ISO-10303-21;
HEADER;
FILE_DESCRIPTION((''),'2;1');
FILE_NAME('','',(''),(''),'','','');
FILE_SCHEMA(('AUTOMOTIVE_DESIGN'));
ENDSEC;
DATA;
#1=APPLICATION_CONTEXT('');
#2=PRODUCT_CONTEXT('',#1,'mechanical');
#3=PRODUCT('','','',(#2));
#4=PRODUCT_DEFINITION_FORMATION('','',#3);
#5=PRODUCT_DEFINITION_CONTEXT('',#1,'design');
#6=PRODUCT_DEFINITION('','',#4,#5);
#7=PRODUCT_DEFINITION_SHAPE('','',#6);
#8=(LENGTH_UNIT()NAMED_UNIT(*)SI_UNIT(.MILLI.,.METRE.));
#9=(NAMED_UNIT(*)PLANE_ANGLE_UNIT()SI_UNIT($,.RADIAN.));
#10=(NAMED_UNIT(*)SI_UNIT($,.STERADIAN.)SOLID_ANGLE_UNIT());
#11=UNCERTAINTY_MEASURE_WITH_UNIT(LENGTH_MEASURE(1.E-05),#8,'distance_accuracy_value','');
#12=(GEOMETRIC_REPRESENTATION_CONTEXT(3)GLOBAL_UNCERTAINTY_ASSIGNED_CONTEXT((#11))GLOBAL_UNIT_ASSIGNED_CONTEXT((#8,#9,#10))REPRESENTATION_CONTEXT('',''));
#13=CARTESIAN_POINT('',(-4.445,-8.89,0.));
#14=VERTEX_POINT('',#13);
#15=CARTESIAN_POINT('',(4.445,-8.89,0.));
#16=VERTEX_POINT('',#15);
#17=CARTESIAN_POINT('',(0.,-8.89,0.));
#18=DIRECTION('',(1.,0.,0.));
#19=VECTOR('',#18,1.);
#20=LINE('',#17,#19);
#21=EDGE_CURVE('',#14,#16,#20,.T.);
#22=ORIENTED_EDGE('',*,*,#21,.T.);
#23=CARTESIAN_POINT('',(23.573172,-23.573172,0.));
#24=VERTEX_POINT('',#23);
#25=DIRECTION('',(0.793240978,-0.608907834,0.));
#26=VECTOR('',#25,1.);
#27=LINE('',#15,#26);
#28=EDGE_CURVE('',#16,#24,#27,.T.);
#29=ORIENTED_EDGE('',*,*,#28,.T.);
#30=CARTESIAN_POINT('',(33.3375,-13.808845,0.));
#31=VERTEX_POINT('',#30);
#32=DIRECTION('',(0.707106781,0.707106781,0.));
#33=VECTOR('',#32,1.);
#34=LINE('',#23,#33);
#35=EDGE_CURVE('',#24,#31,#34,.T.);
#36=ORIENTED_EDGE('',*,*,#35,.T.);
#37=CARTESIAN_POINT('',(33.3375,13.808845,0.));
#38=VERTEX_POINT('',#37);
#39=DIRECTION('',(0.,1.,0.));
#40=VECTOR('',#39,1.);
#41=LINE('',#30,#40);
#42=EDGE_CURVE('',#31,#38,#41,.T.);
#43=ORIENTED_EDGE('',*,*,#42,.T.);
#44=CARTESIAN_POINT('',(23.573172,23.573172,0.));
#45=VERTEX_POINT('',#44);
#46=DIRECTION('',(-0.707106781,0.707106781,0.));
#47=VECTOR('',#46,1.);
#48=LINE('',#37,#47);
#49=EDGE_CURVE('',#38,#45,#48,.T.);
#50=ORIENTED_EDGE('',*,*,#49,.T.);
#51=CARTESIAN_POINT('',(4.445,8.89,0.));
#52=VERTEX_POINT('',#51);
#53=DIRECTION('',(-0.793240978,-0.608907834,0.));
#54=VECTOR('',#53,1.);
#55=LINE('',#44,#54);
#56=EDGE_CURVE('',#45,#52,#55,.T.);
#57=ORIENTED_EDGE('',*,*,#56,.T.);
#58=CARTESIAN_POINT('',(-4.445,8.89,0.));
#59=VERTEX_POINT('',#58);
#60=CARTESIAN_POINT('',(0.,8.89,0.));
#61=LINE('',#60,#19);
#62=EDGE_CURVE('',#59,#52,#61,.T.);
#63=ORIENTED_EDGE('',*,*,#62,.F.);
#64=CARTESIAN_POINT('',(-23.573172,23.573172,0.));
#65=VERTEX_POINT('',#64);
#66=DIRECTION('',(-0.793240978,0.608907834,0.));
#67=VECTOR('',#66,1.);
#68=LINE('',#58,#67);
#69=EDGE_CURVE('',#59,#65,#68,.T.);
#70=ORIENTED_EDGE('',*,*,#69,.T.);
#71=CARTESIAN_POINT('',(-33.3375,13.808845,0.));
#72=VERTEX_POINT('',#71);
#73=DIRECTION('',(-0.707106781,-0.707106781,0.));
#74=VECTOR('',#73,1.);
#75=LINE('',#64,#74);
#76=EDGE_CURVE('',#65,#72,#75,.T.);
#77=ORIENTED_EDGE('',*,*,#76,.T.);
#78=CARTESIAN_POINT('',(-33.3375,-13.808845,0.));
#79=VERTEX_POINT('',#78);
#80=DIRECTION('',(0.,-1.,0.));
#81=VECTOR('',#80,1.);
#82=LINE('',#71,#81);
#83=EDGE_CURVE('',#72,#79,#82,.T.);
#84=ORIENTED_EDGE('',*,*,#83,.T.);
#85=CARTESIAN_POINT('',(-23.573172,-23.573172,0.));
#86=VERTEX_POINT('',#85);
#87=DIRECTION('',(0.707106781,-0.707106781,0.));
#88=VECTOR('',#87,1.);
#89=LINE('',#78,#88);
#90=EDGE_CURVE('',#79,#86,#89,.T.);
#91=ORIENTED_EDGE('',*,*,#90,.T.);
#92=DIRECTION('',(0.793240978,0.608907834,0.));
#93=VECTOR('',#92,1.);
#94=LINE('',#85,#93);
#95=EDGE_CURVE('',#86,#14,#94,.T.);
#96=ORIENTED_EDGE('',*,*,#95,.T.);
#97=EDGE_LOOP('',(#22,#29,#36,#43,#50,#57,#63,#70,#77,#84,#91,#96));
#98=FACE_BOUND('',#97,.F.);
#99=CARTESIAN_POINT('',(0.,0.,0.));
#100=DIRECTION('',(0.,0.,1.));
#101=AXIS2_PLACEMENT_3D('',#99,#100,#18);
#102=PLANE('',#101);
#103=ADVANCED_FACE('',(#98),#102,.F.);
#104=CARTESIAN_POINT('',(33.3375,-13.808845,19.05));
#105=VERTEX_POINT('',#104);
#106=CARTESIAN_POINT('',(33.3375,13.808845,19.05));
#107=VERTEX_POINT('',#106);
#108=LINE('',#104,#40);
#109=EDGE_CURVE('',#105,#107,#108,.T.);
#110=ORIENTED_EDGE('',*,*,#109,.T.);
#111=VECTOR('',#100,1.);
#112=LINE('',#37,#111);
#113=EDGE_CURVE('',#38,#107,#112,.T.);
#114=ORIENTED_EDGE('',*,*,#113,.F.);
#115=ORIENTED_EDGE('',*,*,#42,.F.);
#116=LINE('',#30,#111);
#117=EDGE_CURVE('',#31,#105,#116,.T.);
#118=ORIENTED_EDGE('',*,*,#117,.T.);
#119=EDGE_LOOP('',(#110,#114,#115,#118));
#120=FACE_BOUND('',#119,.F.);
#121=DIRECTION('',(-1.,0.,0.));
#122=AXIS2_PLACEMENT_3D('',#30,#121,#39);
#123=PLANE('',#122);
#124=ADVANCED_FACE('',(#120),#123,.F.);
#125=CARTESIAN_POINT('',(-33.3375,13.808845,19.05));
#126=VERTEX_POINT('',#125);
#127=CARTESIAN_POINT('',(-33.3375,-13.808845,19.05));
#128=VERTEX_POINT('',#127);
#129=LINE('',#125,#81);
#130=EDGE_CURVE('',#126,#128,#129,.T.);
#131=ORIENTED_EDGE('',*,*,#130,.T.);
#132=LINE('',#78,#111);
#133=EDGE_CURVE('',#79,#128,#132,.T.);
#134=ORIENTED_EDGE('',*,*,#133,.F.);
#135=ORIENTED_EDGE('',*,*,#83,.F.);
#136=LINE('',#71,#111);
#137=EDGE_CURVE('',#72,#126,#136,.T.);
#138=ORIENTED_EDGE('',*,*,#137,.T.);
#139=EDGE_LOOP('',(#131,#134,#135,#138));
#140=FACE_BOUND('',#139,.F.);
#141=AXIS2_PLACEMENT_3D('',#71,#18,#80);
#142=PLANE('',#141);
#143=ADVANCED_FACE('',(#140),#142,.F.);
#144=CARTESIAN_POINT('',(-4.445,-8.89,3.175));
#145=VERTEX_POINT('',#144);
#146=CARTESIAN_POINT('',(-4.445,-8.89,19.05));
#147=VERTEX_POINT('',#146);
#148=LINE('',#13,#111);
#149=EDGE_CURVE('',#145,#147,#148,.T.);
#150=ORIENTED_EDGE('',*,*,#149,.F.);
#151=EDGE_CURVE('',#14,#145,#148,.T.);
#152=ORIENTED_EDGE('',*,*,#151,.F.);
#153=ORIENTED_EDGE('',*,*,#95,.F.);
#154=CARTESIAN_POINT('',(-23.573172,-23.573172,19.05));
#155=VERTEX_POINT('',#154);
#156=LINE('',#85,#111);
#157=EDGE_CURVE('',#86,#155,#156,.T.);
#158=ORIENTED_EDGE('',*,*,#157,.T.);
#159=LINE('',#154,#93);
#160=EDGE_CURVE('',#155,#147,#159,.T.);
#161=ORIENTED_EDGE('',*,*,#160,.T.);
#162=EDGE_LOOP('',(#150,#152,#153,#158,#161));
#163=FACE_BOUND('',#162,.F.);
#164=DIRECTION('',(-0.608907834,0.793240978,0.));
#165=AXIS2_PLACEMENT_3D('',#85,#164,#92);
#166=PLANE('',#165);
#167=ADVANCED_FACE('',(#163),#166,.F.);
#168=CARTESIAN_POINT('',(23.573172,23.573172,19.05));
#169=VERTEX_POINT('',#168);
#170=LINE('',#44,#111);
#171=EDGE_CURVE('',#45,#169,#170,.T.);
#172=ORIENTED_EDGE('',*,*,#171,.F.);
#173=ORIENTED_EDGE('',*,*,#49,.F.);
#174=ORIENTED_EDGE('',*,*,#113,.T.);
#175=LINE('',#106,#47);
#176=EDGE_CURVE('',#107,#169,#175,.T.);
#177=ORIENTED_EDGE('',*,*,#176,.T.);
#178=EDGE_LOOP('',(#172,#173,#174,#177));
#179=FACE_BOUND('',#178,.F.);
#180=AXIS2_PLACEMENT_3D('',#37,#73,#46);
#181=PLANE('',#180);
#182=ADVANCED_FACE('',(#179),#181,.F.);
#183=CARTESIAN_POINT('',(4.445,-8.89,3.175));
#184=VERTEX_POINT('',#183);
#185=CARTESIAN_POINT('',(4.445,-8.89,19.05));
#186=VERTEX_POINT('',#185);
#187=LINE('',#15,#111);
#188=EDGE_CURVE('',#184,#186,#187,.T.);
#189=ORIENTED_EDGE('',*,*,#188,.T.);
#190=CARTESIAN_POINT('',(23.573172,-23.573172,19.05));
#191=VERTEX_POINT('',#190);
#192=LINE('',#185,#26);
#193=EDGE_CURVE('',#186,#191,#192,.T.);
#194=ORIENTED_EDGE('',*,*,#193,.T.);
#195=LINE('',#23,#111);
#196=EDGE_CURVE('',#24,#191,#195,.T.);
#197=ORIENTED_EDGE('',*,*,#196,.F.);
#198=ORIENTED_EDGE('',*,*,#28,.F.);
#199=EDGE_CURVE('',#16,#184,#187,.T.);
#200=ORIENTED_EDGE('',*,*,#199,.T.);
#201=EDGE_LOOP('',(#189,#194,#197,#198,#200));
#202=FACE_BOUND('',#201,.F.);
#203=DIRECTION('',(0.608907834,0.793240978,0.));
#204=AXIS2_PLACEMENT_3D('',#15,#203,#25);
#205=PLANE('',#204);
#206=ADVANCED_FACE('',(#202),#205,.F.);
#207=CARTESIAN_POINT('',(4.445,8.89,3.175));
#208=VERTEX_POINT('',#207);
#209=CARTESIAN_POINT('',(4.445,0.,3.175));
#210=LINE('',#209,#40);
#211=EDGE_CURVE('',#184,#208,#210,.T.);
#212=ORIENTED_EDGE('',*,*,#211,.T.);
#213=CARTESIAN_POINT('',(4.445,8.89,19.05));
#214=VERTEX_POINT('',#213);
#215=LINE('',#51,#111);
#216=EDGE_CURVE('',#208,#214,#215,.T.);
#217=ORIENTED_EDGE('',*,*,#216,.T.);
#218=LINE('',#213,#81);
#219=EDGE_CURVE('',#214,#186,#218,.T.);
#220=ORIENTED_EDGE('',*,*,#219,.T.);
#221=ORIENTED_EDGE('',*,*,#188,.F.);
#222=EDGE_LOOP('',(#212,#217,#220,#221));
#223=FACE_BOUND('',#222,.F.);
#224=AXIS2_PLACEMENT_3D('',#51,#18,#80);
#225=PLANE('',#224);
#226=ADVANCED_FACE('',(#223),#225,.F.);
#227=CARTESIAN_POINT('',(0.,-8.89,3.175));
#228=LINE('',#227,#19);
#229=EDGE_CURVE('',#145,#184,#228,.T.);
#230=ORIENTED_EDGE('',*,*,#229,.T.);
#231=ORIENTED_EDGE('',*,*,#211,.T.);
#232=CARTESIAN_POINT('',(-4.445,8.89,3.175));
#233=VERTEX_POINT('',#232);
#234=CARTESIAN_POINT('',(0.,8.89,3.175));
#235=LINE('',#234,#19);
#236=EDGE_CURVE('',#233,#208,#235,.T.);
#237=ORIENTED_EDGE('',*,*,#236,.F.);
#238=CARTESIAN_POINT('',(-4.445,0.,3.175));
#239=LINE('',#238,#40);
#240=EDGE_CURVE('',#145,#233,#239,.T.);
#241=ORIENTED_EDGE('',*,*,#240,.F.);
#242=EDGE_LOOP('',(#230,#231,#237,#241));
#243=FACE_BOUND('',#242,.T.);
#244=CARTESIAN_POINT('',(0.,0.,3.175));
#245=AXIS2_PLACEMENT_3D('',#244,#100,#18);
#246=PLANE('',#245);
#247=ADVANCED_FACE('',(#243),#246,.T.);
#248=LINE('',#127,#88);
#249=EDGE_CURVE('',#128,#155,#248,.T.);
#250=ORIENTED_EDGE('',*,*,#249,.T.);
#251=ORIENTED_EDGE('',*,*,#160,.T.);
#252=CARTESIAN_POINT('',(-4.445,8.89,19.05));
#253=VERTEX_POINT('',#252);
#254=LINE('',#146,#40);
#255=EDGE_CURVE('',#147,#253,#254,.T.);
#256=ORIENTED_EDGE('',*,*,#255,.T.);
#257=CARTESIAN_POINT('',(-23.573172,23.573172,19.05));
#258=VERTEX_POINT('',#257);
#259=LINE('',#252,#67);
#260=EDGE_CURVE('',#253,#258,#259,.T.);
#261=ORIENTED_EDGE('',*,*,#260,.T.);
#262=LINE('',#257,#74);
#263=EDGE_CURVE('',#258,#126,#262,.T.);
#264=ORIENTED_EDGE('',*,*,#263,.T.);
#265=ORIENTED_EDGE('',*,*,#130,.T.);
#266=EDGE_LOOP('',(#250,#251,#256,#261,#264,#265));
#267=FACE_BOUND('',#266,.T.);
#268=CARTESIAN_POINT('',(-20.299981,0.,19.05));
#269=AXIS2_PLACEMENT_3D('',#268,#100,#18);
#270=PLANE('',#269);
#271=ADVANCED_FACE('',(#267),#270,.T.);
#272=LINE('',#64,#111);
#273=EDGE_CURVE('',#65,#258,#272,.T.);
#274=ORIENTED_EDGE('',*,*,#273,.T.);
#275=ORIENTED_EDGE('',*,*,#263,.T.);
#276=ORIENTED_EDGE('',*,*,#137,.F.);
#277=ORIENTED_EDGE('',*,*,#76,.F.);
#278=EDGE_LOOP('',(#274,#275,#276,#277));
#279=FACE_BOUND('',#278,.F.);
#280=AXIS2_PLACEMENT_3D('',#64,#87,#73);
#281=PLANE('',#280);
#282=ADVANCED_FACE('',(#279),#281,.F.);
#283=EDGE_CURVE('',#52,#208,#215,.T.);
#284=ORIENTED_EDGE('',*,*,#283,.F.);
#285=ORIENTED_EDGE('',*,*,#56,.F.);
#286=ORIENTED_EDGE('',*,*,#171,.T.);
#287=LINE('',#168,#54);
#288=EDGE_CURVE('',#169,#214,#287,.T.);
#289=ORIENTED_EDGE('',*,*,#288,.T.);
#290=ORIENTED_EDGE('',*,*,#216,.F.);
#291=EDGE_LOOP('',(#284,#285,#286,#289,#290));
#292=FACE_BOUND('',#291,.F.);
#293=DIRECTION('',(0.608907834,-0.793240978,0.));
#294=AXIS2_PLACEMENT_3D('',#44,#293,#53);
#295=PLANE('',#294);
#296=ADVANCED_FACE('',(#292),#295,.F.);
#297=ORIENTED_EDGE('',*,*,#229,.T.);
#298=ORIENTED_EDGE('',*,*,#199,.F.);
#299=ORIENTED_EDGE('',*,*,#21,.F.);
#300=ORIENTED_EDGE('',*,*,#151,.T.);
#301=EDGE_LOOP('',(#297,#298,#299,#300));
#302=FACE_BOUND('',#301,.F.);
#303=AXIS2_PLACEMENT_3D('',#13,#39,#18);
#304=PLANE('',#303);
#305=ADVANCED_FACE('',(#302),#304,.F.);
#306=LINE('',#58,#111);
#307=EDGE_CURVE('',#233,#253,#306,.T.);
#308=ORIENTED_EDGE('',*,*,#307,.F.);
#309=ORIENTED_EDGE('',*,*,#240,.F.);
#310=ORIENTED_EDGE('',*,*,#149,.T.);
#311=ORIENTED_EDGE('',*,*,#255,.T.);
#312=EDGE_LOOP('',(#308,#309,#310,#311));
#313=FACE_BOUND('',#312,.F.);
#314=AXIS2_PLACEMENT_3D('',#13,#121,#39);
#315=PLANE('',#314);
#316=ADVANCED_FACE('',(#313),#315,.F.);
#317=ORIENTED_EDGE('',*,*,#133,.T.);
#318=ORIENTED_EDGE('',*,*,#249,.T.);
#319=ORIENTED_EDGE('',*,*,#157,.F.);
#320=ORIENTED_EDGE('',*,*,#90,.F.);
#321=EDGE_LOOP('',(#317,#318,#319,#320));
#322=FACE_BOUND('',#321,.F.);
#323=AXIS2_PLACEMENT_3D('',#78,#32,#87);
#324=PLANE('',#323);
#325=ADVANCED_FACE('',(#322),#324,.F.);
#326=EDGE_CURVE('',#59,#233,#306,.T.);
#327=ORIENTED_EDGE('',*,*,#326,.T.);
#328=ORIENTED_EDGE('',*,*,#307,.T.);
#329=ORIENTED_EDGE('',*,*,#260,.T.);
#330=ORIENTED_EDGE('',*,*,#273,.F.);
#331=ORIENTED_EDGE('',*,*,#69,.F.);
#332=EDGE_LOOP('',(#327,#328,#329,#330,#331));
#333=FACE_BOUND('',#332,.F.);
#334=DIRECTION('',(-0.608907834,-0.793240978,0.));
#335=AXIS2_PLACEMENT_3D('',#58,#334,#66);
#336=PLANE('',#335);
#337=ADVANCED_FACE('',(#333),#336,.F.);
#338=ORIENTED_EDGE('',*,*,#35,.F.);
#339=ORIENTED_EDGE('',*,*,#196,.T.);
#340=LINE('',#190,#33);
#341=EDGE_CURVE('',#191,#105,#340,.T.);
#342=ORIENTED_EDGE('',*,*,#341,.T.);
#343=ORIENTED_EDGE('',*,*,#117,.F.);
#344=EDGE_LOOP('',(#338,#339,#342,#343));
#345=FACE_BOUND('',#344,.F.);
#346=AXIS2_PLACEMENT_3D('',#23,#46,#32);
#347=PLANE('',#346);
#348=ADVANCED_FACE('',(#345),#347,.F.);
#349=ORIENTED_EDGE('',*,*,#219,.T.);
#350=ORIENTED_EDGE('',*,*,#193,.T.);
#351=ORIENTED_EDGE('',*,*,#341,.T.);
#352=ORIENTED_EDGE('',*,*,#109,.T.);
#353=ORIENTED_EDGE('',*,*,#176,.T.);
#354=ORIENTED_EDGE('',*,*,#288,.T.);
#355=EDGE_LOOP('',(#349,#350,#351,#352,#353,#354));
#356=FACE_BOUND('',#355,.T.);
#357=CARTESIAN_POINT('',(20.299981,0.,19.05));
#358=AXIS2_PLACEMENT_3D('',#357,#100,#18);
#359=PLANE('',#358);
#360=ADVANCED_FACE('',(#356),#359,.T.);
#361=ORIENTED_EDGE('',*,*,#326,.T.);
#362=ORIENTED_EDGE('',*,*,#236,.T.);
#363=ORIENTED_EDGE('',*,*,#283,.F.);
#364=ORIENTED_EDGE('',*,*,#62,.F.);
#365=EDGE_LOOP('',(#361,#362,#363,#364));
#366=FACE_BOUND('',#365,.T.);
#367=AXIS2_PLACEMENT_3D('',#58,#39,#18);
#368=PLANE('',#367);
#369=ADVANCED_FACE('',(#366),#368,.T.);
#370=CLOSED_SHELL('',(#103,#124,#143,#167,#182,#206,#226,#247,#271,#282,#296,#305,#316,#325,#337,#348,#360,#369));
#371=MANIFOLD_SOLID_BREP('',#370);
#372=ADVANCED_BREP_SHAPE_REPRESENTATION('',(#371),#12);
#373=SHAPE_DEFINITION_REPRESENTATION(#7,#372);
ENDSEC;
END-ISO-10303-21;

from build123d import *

# Parameters (mm, degrees)
F1_DEPTH = 19.05
F0_W     = 8.89
F0_H     = 17.78
F2_DEPTH = 3.175


with BuildPart() as f1:
    # F0 (on Top) → F1 (new body)
    with BuildSketch(Plane.XY):
        Polygon((23.5731723178, -23.5731723178), (33.3375, -13.8088446356), (33.3375, 13.8088446356), (23.5731723178, 23.5731723178), (4.445, 8.89), (4.445, -8.89), align=None)
    extrude(amount=F1_DEPTH)



with BuildPart() as f1b:
    # F0 (on Top) → F1, piece 2 (new body)
    with BuildSketch(Plane.XY):
        Polygon((-23.5731723178, -23.5731723178), (-4.445, -8.89), (-4.445, 8.89), (-23.5731723178, 23.5731723178), (-33.3375, 13.8088446356), (-33.3375, -13.8088446356), align=None)
    extrude(amount=F1_DEPTH)


with BuildPart() as f1_1:
    add(f1.part)

    add(f1b.part)  # F2 merges F1b
    # F0 (on Top) → F2 (join)
    with BuildSketch(Plane.XY):
        Rectangle(F0_W, F0_H)
    extrude(amount=F2_DEPTH)


solid = f1_1.part
